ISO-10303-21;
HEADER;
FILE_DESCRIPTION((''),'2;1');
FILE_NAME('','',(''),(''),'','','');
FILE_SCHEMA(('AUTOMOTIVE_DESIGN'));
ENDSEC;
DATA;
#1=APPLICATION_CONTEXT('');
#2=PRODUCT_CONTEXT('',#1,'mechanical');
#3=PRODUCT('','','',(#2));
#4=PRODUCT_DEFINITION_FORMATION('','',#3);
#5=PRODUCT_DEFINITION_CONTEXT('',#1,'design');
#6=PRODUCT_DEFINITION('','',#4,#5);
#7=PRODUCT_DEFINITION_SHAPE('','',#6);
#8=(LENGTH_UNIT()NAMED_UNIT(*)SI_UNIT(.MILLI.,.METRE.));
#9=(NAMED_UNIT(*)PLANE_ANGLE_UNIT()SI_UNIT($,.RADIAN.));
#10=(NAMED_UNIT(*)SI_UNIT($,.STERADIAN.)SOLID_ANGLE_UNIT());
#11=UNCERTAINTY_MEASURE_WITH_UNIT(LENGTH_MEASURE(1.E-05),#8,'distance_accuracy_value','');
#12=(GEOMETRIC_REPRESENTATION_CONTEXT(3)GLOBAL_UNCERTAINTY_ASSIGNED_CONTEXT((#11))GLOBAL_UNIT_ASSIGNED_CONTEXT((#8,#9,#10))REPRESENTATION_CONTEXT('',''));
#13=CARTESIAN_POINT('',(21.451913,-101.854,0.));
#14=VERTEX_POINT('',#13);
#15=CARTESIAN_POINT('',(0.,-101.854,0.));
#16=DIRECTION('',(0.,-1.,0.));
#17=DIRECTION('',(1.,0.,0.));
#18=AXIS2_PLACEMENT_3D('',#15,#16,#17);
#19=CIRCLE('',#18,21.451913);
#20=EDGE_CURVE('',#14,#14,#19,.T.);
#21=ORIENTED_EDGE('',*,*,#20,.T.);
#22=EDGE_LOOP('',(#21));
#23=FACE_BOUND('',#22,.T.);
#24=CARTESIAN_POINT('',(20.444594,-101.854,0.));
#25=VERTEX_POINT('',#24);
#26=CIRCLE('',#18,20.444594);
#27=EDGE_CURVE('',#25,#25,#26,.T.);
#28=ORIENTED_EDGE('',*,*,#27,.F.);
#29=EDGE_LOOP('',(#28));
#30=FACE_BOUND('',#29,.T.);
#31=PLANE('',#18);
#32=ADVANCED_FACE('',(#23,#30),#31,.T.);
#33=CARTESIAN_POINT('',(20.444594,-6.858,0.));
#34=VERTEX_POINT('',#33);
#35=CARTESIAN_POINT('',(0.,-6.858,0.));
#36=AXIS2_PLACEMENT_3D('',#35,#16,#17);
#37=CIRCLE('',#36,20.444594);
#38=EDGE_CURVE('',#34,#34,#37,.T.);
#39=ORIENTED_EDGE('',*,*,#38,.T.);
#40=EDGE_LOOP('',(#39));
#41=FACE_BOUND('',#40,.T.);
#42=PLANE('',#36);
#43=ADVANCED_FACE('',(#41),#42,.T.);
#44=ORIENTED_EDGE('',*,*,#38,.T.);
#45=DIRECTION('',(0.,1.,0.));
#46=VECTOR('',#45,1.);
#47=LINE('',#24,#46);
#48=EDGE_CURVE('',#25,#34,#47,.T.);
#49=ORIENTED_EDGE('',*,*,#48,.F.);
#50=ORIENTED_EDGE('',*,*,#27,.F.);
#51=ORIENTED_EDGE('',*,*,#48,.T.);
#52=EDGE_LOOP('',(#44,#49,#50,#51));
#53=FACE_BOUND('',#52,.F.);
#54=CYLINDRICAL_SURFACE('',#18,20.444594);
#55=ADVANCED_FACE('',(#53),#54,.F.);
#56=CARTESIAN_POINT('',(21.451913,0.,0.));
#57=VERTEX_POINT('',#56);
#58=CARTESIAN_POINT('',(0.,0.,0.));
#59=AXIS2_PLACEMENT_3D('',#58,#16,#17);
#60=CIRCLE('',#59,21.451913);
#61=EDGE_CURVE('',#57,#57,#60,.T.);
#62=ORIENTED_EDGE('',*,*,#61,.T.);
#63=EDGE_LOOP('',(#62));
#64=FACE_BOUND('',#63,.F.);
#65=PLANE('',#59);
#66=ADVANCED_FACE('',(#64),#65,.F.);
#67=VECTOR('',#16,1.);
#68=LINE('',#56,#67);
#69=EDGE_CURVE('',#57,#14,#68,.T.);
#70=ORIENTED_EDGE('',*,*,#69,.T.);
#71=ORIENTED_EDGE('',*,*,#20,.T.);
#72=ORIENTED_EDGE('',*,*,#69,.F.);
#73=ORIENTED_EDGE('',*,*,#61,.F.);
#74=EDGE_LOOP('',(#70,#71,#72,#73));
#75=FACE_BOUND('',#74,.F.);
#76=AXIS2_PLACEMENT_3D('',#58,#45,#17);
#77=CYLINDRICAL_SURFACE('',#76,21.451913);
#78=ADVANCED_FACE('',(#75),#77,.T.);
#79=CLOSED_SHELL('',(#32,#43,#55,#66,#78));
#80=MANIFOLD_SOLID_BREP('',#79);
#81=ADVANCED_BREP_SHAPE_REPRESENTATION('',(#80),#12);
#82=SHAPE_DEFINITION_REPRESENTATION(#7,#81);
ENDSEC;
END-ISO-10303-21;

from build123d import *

# Parameters (mm, degrees)
F0_R       = 21.4519126411
F1_DEPTH   = 101.854
F2_R       = 20.4445940052
F1_FACE1_R = 21.4519126411
F3_DEPTH   = 94.996


with BuildPart() as f1:
    # F0 (on Front) → F1 (new body)
    with BuildSketch(Plane.XZ):
        Circle(F0_R)
    extrude(amount=F1_DEPTH)

    # F2 (on face) + F1_face1 (on face) → F3 (cut)
    with BuildSketch(Plane.XZ.offset(101.854)):
        Circle(F2_R)
    with BuildSketch(Plane(origin=(0, 0, 0), x_dir=(1, 0, 0), z_dir=(0, 1, 0))):
        Circle(F1_FACE1_R)
    extrude(amount=-F3_DEPTH, dir=(0, -1, 0), mode=Mode.SUBTRACT)


solid = f1.part
